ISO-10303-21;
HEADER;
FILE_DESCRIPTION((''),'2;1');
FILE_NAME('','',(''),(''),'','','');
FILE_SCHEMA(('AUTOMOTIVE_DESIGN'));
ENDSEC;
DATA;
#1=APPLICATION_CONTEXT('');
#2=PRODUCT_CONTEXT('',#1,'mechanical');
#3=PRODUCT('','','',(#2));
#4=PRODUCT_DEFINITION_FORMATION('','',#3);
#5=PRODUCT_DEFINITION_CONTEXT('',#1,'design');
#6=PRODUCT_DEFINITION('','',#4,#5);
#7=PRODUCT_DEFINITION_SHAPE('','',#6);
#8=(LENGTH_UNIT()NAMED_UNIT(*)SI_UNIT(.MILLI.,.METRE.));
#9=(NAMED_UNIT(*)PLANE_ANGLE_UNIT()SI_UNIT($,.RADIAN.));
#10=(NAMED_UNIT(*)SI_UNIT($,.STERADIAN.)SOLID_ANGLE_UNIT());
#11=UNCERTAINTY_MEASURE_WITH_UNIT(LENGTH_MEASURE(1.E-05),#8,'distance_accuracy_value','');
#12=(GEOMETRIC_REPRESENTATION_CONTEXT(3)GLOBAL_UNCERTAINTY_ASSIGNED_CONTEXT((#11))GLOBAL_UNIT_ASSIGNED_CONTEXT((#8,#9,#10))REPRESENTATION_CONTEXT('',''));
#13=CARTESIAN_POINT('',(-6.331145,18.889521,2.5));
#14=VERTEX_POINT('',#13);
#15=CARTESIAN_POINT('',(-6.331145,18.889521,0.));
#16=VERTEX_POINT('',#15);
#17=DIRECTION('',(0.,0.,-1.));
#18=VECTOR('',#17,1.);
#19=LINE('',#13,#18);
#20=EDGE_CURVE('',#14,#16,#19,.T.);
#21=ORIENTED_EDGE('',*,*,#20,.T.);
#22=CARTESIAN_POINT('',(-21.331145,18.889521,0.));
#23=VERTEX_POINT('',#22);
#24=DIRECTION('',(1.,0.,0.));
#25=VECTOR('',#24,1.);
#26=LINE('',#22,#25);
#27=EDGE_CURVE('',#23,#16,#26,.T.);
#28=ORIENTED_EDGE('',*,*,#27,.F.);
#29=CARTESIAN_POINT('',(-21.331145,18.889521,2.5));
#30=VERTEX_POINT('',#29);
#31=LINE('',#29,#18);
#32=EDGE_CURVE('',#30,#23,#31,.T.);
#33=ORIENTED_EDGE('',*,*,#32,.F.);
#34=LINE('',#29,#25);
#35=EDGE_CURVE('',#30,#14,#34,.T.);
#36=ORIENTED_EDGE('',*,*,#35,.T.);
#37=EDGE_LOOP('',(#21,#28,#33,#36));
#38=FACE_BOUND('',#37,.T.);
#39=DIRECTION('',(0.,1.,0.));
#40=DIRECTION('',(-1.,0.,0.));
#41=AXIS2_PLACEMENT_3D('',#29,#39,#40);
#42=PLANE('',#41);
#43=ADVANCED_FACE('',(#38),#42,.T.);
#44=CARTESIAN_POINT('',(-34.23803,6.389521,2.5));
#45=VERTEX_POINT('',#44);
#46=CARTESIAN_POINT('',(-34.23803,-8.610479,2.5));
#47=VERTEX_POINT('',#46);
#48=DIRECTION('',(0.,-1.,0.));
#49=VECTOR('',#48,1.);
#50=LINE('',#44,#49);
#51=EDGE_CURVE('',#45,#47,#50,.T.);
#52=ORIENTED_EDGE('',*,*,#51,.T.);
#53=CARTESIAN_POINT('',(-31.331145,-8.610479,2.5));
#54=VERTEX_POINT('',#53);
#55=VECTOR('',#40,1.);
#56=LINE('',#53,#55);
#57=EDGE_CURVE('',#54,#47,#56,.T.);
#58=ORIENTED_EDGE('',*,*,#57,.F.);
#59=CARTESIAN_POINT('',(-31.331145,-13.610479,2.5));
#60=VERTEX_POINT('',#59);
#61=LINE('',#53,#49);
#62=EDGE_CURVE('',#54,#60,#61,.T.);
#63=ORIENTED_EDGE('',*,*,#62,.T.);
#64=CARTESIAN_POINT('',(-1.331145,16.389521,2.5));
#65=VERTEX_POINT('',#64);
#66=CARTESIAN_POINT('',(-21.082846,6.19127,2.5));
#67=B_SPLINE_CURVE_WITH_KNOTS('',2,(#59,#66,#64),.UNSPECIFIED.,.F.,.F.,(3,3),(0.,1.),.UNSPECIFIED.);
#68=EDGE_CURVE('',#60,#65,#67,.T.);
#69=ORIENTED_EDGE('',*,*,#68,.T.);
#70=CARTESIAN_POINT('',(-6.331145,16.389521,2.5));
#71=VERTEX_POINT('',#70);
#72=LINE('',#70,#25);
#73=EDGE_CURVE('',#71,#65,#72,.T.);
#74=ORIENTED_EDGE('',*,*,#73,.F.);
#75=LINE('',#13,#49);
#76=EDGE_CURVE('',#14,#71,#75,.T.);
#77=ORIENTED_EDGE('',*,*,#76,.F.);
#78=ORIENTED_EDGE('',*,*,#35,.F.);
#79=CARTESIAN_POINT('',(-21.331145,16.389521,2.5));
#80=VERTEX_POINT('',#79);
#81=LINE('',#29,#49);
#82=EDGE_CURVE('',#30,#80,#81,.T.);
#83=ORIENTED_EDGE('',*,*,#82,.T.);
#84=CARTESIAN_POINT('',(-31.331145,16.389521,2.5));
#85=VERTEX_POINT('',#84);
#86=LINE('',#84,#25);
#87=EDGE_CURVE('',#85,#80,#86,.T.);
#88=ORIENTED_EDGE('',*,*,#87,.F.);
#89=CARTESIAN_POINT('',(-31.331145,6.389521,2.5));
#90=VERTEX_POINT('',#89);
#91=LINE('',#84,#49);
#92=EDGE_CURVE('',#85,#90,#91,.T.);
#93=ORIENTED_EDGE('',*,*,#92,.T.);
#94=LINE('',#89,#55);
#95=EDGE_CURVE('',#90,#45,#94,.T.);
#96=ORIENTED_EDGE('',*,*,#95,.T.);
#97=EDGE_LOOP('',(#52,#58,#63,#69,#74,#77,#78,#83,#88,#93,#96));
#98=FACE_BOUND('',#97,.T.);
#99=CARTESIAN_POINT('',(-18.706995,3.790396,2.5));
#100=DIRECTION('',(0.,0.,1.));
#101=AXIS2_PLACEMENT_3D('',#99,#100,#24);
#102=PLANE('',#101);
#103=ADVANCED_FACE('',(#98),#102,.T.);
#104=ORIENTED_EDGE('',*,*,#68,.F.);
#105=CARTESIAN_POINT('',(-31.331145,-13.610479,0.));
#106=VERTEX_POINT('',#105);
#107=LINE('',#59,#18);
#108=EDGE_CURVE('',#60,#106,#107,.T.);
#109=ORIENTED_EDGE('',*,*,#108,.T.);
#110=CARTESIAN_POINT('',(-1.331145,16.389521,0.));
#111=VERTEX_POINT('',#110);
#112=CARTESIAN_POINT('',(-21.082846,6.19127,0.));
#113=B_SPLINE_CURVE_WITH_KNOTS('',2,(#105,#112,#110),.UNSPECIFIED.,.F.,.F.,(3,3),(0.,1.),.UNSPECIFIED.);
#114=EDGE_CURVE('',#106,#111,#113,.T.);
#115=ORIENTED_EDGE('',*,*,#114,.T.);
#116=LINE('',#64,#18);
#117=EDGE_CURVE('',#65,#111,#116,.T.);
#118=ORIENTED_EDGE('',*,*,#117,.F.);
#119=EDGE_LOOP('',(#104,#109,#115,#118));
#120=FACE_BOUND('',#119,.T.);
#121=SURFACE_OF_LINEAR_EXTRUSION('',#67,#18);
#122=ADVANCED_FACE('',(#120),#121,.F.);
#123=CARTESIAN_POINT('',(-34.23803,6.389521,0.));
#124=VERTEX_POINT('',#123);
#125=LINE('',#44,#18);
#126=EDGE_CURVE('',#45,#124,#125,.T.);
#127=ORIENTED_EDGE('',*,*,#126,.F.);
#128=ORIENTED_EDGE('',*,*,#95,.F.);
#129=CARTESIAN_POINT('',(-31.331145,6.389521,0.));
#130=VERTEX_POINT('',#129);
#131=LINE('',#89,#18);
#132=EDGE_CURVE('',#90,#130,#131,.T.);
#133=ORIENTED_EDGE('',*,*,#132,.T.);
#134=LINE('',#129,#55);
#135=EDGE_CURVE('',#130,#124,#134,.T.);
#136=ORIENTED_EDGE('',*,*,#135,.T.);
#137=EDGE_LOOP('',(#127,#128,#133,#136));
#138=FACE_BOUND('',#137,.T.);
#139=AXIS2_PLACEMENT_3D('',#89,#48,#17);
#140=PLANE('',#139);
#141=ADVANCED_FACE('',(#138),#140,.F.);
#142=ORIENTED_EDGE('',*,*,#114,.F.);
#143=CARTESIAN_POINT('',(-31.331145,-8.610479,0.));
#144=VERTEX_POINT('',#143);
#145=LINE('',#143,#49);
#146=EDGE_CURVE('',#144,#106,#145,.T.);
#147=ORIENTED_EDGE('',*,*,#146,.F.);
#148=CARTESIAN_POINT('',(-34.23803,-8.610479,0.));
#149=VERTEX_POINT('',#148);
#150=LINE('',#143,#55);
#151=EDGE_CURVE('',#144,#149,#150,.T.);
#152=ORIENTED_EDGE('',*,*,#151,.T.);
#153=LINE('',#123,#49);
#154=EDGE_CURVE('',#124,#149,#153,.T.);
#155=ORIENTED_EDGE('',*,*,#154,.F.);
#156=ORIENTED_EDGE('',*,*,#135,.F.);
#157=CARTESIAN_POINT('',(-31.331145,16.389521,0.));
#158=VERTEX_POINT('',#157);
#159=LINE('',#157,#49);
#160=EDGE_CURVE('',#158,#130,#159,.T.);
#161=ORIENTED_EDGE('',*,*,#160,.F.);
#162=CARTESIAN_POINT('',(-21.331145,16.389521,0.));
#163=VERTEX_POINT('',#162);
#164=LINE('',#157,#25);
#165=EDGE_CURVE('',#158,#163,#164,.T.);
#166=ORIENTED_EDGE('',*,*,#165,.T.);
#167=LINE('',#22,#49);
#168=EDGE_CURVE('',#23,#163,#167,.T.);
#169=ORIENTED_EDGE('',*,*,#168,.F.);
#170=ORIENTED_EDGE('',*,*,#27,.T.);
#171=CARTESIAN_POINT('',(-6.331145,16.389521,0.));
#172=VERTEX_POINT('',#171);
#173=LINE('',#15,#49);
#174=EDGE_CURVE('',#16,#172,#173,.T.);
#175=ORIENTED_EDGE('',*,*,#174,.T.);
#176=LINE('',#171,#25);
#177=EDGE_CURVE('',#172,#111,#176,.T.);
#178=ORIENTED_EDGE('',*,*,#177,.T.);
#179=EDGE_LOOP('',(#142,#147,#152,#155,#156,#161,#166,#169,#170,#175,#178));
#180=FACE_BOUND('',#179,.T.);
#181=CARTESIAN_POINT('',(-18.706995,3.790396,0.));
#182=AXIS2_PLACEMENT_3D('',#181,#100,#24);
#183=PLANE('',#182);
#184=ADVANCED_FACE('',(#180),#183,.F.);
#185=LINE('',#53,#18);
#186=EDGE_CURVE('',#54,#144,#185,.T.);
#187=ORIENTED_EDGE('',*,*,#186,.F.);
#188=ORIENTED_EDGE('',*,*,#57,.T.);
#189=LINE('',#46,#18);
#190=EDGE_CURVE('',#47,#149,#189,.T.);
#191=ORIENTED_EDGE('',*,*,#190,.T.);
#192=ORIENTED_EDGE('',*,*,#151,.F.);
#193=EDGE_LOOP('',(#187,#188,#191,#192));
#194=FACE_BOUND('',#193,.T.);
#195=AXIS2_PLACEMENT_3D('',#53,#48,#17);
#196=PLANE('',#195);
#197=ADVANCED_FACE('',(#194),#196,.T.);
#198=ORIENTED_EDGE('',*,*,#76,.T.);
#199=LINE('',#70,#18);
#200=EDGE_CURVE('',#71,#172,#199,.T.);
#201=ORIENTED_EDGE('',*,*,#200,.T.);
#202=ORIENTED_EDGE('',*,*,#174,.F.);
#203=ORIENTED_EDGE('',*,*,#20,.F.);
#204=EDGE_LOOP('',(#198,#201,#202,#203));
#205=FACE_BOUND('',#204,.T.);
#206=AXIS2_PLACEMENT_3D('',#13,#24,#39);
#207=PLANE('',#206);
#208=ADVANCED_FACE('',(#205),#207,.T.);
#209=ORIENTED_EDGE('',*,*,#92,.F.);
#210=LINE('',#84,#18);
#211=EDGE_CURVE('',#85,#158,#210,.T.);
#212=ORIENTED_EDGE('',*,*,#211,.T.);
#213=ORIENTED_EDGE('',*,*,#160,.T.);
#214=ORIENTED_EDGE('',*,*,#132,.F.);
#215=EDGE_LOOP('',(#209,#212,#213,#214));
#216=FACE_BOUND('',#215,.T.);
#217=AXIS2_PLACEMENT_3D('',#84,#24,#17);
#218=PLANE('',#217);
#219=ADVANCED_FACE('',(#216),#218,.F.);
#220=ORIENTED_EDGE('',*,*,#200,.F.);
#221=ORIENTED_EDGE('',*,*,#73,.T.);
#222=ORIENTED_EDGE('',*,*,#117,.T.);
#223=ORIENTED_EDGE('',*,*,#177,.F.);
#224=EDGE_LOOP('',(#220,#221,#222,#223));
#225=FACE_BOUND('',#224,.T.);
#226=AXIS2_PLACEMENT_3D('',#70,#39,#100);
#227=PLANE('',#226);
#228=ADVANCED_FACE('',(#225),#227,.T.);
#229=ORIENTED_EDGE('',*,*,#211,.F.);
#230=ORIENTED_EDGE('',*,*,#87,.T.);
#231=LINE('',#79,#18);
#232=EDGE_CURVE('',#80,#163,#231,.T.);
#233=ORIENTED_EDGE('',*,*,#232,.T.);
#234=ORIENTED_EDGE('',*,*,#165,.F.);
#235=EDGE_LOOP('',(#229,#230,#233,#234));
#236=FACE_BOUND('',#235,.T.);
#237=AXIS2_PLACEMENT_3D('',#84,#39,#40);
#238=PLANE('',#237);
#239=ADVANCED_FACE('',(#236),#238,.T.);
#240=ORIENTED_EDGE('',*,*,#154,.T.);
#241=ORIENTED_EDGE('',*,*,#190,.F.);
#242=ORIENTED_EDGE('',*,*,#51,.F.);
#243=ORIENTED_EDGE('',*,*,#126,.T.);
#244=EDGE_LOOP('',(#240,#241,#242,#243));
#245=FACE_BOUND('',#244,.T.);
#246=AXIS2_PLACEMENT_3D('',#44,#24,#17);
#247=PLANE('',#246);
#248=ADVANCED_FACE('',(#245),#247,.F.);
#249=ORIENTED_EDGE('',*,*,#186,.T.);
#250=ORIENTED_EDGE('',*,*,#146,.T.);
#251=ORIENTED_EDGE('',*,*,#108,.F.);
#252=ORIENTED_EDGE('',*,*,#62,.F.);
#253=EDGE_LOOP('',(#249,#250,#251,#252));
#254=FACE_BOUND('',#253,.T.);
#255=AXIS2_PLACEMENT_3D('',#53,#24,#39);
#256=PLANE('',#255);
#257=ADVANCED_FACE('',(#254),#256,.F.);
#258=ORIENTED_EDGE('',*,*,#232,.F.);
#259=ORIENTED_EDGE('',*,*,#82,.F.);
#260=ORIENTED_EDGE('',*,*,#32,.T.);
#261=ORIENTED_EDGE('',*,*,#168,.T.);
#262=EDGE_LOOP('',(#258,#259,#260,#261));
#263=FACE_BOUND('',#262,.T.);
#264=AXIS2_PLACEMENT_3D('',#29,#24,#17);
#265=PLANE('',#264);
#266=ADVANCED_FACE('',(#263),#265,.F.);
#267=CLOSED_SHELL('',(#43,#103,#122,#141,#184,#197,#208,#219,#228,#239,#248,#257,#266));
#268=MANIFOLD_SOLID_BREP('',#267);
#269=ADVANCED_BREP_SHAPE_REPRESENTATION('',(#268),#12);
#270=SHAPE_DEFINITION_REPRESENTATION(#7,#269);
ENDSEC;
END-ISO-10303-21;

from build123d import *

# Parameters (mm, degrees)
BOSS_EXTRUDE1_DEPTH = 2.5


with BuildPart() as part:
    # Sketch1 → Boss-Extrude1 (new body)
    with BuildSketch(Plane.XY):
        with BuildLine():
            Line((-31.331144537, -8.610478528), (-31.331144537, -13.610478528))
            add(Edge.make_bspline(
                [(-31.331144537, -13.610478528), (-21.082845859, 6.19127001), (-1.331144537, 16.389521472)],
                knots=[0, 0, 0, 1, 1, 1], degree=2))
            Line((-1.331144537, 16.389521472), (-6.331144537, 16.389521472))
            Line((-6.331144537, 16.389521472), (-6.331144537, 18.889521472))
            Line((-6.331144537, 18.889521472), (-21.331144537, 18.889521472))
            Line((-21.331144537, 18.889521472), (-21.331144537, 16.389521472))
            Line((-21.331144537, 16.389521472), (-31.331144537, 16.389521472))
            Line((-31.331144537, 16.389521472), (-31.331144537, 6.389521472))
            Line((-31.331144537, 6.389521472), (-34.238029984, 6.389521472))
            Line((-34.238029984, 6.389521472), (-34.238029984, -8.610478528))
            Line((-34.238029984, -8.610478528), (-31.331144537, -8.610478528))
        make_face()
    extrude(amount=BOSS_EXTRUDE1_DEPTH)


solid = part.part
